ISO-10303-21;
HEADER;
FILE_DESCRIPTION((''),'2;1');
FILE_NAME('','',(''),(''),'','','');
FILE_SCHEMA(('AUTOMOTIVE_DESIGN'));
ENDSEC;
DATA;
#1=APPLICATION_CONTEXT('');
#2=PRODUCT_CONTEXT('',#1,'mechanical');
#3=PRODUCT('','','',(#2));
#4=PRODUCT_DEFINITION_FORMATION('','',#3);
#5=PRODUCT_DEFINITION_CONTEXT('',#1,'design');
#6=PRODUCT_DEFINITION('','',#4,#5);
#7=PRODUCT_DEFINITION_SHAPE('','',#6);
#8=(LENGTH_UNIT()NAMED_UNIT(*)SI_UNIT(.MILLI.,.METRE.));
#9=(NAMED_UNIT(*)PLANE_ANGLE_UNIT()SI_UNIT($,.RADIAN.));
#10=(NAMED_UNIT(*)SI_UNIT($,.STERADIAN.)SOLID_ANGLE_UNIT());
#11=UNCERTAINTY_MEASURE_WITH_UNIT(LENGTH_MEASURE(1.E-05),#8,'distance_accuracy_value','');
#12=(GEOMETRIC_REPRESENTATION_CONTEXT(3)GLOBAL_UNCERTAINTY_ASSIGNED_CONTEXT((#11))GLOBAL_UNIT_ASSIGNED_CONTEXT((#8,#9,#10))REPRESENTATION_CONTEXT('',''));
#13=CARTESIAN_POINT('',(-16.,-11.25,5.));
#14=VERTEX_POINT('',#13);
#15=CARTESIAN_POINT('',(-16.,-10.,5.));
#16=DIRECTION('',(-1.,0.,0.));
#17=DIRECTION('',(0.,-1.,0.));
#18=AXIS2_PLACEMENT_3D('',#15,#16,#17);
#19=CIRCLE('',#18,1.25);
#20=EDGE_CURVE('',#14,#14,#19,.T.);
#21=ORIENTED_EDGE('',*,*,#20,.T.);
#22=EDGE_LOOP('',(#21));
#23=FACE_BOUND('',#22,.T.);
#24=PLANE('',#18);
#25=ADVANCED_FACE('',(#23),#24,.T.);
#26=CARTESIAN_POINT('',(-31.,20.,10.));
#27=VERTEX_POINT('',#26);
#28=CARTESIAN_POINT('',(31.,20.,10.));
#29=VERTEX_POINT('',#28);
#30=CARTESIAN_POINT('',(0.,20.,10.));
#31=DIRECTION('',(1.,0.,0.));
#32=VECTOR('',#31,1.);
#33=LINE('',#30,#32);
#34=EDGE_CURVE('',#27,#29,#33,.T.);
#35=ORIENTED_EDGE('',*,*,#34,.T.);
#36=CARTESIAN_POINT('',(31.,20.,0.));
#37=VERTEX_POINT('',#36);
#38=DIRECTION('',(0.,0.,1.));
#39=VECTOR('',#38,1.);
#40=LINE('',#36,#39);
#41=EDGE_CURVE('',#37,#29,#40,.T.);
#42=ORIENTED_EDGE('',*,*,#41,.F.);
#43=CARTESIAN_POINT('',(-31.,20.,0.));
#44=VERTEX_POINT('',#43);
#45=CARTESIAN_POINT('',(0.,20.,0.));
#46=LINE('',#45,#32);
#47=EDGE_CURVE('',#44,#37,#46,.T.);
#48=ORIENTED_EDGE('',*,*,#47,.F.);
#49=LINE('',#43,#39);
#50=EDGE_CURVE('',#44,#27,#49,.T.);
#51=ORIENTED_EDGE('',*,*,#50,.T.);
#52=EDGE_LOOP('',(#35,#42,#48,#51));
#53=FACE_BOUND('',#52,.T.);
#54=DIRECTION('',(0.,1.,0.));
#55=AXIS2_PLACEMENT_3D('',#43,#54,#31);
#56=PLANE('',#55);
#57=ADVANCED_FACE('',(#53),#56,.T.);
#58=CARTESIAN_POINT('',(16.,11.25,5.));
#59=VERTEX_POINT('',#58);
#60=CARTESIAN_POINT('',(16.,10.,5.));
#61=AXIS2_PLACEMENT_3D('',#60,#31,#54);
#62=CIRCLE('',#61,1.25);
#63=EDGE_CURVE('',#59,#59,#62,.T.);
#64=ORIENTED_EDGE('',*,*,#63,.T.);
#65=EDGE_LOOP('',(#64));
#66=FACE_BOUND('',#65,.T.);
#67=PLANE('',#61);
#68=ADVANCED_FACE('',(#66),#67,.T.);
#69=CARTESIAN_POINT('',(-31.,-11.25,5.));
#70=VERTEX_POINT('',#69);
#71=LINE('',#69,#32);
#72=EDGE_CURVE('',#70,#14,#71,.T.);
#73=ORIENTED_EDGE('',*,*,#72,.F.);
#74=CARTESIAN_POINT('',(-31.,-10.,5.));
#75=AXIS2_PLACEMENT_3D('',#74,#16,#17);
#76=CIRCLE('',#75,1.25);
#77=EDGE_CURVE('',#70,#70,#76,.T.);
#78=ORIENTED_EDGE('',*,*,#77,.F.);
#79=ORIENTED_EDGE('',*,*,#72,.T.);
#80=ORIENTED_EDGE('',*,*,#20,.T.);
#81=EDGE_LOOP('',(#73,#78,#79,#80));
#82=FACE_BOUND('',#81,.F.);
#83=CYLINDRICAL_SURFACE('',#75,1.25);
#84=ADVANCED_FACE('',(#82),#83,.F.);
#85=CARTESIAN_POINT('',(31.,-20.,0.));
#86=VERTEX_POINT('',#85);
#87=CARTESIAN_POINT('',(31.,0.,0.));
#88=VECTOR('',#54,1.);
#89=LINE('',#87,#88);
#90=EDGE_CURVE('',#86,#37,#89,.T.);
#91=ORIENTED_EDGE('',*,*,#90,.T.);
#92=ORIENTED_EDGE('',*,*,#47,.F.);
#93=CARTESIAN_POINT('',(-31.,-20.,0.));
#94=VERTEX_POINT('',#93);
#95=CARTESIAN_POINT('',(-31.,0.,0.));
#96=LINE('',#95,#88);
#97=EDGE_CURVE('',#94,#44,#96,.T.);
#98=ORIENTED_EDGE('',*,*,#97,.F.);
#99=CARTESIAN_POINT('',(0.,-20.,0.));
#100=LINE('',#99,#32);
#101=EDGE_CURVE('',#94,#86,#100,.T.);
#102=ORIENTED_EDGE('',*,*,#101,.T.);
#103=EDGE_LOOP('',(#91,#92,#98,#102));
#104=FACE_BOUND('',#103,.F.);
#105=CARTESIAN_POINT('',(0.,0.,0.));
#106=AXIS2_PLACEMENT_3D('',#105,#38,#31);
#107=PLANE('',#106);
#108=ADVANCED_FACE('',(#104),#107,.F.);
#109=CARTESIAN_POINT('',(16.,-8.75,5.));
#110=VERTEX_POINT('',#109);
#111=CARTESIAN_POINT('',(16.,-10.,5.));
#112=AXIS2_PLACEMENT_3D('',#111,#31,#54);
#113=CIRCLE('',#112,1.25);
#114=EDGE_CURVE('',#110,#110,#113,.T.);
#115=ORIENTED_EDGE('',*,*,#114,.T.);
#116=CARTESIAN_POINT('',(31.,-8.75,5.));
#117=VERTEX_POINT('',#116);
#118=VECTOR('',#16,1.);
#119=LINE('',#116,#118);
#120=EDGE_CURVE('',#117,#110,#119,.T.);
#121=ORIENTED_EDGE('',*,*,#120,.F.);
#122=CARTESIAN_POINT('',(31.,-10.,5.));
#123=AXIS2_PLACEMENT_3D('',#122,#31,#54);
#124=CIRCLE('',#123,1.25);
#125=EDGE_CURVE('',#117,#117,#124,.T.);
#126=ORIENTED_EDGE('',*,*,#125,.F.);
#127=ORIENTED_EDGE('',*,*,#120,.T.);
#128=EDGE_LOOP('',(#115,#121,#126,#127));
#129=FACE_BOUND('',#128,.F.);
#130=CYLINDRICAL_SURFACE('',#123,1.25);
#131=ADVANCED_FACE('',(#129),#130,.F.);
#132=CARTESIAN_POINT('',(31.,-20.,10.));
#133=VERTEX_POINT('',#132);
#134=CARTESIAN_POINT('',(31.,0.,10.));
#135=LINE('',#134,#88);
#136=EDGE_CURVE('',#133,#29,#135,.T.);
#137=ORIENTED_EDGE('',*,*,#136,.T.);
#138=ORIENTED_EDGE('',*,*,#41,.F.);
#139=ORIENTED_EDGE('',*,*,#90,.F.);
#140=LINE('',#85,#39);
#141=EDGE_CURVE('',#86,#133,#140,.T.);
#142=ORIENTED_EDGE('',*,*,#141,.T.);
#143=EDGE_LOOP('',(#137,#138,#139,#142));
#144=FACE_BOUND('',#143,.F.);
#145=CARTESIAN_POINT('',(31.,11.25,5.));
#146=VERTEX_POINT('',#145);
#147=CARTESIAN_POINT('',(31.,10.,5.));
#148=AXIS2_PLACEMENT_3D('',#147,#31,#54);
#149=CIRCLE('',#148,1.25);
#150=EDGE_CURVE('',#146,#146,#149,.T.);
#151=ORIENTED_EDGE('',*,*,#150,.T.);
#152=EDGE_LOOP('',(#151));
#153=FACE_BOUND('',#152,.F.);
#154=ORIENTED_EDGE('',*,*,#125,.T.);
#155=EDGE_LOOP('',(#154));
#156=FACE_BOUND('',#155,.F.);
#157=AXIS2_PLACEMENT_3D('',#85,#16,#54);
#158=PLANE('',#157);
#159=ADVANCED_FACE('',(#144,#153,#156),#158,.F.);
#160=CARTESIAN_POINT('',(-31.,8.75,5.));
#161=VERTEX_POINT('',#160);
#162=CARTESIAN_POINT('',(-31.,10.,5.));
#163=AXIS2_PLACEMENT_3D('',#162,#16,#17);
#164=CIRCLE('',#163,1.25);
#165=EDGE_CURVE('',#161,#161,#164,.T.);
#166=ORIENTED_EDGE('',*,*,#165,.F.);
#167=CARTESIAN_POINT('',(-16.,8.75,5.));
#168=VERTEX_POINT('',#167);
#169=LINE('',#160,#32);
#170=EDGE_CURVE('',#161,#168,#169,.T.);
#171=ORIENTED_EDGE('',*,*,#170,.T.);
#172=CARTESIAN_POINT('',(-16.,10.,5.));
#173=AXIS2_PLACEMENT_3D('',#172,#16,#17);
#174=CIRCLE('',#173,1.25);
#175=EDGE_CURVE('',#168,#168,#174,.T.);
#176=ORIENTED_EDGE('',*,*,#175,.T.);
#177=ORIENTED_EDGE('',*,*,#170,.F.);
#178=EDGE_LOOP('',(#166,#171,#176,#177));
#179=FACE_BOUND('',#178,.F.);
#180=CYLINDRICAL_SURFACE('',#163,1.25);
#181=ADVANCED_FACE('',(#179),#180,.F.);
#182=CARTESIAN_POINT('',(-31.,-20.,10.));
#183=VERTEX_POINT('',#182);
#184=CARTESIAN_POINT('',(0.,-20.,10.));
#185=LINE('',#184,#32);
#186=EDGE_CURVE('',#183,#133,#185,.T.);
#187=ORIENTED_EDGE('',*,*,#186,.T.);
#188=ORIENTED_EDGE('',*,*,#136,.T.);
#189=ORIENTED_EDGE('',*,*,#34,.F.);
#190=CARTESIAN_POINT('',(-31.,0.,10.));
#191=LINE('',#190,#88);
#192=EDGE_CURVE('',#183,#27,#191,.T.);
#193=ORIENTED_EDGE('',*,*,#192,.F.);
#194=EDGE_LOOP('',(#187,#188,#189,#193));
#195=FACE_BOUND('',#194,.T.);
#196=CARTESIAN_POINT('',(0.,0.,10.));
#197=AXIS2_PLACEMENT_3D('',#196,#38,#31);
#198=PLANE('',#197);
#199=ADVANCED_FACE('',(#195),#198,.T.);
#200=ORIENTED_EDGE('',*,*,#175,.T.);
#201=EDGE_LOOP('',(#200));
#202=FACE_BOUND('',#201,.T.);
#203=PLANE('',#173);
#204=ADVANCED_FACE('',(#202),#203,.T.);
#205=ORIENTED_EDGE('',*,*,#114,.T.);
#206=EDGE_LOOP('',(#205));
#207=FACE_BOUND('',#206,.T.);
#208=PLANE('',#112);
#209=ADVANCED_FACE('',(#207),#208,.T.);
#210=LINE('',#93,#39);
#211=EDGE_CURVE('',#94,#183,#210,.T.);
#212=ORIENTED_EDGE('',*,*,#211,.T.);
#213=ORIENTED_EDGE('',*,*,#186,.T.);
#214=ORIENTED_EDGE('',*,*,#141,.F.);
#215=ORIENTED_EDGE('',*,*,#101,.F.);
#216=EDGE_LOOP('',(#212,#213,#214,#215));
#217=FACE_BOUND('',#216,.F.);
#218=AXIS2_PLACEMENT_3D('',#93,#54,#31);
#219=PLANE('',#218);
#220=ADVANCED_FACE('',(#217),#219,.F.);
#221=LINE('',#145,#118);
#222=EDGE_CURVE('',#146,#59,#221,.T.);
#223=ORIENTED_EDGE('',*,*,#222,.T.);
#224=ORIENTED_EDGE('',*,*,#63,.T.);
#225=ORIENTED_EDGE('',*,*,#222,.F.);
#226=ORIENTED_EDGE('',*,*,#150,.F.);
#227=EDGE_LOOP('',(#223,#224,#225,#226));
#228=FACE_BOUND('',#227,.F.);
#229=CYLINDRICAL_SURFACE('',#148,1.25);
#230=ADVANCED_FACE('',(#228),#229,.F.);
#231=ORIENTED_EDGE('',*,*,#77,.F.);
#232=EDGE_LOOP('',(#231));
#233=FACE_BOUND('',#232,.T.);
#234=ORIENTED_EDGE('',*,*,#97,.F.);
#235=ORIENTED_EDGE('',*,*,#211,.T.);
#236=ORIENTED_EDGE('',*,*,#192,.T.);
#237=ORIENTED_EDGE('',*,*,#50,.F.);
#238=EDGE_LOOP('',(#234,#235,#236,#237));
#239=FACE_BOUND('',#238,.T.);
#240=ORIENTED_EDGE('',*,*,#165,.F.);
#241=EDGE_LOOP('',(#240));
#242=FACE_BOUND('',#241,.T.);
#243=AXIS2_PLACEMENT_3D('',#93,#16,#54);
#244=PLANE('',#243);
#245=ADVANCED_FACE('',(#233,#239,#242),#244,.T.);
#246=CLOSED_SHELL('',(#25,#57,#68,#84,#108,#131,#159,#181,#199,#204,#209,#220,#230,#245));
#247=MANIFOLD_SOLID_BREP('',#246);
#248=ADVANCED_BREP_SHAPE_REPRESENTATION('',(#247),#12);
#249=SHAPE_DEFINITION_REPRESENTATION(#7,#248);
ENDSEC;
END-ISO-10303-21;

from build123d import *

# Parameters (mm, degrees)
F0_W     = 62
F0_H     = 40
F1_DEPTH = 10
F2_R     = 1.25
F4_DEPTH = 15
F3_R     = 1.25
F5_DEPTH = 15


with BuildPart() as f1:
    # F0 (on Top) → F1 (new body)
    with BuildSketch(Plane.XY):
        Rectangle(F0_W, F0_H)
    extrude(amount=F1_DEPTH)

    # F2 (on face) → F4 (cut)
    with BuildSketch(Plane(origin=(-31, 0, 0), x_dir=(0, -1, 0), z_dir=(-1, 0, 0))):
        with Locations((10, 5)):
            Circle(F2_R)
        with Locations((-10, 5)):
            Circle(F2_R)
    extrude(amount=-F4_DEPTH, mode=Mode.SUBTRACT)

    # F3 (on face) → F5 (cut)
    with BuildSketch(Plane.YZ.offset(31)):
        with Locations((-10, 5)):
            Circle(F3_R)
        with Locations((10, 5)):
            Circle(F3_R)
    extrude(amount=-F5_DEPTH, mode=Mode.SUBTRACT)


solid = f1.part
